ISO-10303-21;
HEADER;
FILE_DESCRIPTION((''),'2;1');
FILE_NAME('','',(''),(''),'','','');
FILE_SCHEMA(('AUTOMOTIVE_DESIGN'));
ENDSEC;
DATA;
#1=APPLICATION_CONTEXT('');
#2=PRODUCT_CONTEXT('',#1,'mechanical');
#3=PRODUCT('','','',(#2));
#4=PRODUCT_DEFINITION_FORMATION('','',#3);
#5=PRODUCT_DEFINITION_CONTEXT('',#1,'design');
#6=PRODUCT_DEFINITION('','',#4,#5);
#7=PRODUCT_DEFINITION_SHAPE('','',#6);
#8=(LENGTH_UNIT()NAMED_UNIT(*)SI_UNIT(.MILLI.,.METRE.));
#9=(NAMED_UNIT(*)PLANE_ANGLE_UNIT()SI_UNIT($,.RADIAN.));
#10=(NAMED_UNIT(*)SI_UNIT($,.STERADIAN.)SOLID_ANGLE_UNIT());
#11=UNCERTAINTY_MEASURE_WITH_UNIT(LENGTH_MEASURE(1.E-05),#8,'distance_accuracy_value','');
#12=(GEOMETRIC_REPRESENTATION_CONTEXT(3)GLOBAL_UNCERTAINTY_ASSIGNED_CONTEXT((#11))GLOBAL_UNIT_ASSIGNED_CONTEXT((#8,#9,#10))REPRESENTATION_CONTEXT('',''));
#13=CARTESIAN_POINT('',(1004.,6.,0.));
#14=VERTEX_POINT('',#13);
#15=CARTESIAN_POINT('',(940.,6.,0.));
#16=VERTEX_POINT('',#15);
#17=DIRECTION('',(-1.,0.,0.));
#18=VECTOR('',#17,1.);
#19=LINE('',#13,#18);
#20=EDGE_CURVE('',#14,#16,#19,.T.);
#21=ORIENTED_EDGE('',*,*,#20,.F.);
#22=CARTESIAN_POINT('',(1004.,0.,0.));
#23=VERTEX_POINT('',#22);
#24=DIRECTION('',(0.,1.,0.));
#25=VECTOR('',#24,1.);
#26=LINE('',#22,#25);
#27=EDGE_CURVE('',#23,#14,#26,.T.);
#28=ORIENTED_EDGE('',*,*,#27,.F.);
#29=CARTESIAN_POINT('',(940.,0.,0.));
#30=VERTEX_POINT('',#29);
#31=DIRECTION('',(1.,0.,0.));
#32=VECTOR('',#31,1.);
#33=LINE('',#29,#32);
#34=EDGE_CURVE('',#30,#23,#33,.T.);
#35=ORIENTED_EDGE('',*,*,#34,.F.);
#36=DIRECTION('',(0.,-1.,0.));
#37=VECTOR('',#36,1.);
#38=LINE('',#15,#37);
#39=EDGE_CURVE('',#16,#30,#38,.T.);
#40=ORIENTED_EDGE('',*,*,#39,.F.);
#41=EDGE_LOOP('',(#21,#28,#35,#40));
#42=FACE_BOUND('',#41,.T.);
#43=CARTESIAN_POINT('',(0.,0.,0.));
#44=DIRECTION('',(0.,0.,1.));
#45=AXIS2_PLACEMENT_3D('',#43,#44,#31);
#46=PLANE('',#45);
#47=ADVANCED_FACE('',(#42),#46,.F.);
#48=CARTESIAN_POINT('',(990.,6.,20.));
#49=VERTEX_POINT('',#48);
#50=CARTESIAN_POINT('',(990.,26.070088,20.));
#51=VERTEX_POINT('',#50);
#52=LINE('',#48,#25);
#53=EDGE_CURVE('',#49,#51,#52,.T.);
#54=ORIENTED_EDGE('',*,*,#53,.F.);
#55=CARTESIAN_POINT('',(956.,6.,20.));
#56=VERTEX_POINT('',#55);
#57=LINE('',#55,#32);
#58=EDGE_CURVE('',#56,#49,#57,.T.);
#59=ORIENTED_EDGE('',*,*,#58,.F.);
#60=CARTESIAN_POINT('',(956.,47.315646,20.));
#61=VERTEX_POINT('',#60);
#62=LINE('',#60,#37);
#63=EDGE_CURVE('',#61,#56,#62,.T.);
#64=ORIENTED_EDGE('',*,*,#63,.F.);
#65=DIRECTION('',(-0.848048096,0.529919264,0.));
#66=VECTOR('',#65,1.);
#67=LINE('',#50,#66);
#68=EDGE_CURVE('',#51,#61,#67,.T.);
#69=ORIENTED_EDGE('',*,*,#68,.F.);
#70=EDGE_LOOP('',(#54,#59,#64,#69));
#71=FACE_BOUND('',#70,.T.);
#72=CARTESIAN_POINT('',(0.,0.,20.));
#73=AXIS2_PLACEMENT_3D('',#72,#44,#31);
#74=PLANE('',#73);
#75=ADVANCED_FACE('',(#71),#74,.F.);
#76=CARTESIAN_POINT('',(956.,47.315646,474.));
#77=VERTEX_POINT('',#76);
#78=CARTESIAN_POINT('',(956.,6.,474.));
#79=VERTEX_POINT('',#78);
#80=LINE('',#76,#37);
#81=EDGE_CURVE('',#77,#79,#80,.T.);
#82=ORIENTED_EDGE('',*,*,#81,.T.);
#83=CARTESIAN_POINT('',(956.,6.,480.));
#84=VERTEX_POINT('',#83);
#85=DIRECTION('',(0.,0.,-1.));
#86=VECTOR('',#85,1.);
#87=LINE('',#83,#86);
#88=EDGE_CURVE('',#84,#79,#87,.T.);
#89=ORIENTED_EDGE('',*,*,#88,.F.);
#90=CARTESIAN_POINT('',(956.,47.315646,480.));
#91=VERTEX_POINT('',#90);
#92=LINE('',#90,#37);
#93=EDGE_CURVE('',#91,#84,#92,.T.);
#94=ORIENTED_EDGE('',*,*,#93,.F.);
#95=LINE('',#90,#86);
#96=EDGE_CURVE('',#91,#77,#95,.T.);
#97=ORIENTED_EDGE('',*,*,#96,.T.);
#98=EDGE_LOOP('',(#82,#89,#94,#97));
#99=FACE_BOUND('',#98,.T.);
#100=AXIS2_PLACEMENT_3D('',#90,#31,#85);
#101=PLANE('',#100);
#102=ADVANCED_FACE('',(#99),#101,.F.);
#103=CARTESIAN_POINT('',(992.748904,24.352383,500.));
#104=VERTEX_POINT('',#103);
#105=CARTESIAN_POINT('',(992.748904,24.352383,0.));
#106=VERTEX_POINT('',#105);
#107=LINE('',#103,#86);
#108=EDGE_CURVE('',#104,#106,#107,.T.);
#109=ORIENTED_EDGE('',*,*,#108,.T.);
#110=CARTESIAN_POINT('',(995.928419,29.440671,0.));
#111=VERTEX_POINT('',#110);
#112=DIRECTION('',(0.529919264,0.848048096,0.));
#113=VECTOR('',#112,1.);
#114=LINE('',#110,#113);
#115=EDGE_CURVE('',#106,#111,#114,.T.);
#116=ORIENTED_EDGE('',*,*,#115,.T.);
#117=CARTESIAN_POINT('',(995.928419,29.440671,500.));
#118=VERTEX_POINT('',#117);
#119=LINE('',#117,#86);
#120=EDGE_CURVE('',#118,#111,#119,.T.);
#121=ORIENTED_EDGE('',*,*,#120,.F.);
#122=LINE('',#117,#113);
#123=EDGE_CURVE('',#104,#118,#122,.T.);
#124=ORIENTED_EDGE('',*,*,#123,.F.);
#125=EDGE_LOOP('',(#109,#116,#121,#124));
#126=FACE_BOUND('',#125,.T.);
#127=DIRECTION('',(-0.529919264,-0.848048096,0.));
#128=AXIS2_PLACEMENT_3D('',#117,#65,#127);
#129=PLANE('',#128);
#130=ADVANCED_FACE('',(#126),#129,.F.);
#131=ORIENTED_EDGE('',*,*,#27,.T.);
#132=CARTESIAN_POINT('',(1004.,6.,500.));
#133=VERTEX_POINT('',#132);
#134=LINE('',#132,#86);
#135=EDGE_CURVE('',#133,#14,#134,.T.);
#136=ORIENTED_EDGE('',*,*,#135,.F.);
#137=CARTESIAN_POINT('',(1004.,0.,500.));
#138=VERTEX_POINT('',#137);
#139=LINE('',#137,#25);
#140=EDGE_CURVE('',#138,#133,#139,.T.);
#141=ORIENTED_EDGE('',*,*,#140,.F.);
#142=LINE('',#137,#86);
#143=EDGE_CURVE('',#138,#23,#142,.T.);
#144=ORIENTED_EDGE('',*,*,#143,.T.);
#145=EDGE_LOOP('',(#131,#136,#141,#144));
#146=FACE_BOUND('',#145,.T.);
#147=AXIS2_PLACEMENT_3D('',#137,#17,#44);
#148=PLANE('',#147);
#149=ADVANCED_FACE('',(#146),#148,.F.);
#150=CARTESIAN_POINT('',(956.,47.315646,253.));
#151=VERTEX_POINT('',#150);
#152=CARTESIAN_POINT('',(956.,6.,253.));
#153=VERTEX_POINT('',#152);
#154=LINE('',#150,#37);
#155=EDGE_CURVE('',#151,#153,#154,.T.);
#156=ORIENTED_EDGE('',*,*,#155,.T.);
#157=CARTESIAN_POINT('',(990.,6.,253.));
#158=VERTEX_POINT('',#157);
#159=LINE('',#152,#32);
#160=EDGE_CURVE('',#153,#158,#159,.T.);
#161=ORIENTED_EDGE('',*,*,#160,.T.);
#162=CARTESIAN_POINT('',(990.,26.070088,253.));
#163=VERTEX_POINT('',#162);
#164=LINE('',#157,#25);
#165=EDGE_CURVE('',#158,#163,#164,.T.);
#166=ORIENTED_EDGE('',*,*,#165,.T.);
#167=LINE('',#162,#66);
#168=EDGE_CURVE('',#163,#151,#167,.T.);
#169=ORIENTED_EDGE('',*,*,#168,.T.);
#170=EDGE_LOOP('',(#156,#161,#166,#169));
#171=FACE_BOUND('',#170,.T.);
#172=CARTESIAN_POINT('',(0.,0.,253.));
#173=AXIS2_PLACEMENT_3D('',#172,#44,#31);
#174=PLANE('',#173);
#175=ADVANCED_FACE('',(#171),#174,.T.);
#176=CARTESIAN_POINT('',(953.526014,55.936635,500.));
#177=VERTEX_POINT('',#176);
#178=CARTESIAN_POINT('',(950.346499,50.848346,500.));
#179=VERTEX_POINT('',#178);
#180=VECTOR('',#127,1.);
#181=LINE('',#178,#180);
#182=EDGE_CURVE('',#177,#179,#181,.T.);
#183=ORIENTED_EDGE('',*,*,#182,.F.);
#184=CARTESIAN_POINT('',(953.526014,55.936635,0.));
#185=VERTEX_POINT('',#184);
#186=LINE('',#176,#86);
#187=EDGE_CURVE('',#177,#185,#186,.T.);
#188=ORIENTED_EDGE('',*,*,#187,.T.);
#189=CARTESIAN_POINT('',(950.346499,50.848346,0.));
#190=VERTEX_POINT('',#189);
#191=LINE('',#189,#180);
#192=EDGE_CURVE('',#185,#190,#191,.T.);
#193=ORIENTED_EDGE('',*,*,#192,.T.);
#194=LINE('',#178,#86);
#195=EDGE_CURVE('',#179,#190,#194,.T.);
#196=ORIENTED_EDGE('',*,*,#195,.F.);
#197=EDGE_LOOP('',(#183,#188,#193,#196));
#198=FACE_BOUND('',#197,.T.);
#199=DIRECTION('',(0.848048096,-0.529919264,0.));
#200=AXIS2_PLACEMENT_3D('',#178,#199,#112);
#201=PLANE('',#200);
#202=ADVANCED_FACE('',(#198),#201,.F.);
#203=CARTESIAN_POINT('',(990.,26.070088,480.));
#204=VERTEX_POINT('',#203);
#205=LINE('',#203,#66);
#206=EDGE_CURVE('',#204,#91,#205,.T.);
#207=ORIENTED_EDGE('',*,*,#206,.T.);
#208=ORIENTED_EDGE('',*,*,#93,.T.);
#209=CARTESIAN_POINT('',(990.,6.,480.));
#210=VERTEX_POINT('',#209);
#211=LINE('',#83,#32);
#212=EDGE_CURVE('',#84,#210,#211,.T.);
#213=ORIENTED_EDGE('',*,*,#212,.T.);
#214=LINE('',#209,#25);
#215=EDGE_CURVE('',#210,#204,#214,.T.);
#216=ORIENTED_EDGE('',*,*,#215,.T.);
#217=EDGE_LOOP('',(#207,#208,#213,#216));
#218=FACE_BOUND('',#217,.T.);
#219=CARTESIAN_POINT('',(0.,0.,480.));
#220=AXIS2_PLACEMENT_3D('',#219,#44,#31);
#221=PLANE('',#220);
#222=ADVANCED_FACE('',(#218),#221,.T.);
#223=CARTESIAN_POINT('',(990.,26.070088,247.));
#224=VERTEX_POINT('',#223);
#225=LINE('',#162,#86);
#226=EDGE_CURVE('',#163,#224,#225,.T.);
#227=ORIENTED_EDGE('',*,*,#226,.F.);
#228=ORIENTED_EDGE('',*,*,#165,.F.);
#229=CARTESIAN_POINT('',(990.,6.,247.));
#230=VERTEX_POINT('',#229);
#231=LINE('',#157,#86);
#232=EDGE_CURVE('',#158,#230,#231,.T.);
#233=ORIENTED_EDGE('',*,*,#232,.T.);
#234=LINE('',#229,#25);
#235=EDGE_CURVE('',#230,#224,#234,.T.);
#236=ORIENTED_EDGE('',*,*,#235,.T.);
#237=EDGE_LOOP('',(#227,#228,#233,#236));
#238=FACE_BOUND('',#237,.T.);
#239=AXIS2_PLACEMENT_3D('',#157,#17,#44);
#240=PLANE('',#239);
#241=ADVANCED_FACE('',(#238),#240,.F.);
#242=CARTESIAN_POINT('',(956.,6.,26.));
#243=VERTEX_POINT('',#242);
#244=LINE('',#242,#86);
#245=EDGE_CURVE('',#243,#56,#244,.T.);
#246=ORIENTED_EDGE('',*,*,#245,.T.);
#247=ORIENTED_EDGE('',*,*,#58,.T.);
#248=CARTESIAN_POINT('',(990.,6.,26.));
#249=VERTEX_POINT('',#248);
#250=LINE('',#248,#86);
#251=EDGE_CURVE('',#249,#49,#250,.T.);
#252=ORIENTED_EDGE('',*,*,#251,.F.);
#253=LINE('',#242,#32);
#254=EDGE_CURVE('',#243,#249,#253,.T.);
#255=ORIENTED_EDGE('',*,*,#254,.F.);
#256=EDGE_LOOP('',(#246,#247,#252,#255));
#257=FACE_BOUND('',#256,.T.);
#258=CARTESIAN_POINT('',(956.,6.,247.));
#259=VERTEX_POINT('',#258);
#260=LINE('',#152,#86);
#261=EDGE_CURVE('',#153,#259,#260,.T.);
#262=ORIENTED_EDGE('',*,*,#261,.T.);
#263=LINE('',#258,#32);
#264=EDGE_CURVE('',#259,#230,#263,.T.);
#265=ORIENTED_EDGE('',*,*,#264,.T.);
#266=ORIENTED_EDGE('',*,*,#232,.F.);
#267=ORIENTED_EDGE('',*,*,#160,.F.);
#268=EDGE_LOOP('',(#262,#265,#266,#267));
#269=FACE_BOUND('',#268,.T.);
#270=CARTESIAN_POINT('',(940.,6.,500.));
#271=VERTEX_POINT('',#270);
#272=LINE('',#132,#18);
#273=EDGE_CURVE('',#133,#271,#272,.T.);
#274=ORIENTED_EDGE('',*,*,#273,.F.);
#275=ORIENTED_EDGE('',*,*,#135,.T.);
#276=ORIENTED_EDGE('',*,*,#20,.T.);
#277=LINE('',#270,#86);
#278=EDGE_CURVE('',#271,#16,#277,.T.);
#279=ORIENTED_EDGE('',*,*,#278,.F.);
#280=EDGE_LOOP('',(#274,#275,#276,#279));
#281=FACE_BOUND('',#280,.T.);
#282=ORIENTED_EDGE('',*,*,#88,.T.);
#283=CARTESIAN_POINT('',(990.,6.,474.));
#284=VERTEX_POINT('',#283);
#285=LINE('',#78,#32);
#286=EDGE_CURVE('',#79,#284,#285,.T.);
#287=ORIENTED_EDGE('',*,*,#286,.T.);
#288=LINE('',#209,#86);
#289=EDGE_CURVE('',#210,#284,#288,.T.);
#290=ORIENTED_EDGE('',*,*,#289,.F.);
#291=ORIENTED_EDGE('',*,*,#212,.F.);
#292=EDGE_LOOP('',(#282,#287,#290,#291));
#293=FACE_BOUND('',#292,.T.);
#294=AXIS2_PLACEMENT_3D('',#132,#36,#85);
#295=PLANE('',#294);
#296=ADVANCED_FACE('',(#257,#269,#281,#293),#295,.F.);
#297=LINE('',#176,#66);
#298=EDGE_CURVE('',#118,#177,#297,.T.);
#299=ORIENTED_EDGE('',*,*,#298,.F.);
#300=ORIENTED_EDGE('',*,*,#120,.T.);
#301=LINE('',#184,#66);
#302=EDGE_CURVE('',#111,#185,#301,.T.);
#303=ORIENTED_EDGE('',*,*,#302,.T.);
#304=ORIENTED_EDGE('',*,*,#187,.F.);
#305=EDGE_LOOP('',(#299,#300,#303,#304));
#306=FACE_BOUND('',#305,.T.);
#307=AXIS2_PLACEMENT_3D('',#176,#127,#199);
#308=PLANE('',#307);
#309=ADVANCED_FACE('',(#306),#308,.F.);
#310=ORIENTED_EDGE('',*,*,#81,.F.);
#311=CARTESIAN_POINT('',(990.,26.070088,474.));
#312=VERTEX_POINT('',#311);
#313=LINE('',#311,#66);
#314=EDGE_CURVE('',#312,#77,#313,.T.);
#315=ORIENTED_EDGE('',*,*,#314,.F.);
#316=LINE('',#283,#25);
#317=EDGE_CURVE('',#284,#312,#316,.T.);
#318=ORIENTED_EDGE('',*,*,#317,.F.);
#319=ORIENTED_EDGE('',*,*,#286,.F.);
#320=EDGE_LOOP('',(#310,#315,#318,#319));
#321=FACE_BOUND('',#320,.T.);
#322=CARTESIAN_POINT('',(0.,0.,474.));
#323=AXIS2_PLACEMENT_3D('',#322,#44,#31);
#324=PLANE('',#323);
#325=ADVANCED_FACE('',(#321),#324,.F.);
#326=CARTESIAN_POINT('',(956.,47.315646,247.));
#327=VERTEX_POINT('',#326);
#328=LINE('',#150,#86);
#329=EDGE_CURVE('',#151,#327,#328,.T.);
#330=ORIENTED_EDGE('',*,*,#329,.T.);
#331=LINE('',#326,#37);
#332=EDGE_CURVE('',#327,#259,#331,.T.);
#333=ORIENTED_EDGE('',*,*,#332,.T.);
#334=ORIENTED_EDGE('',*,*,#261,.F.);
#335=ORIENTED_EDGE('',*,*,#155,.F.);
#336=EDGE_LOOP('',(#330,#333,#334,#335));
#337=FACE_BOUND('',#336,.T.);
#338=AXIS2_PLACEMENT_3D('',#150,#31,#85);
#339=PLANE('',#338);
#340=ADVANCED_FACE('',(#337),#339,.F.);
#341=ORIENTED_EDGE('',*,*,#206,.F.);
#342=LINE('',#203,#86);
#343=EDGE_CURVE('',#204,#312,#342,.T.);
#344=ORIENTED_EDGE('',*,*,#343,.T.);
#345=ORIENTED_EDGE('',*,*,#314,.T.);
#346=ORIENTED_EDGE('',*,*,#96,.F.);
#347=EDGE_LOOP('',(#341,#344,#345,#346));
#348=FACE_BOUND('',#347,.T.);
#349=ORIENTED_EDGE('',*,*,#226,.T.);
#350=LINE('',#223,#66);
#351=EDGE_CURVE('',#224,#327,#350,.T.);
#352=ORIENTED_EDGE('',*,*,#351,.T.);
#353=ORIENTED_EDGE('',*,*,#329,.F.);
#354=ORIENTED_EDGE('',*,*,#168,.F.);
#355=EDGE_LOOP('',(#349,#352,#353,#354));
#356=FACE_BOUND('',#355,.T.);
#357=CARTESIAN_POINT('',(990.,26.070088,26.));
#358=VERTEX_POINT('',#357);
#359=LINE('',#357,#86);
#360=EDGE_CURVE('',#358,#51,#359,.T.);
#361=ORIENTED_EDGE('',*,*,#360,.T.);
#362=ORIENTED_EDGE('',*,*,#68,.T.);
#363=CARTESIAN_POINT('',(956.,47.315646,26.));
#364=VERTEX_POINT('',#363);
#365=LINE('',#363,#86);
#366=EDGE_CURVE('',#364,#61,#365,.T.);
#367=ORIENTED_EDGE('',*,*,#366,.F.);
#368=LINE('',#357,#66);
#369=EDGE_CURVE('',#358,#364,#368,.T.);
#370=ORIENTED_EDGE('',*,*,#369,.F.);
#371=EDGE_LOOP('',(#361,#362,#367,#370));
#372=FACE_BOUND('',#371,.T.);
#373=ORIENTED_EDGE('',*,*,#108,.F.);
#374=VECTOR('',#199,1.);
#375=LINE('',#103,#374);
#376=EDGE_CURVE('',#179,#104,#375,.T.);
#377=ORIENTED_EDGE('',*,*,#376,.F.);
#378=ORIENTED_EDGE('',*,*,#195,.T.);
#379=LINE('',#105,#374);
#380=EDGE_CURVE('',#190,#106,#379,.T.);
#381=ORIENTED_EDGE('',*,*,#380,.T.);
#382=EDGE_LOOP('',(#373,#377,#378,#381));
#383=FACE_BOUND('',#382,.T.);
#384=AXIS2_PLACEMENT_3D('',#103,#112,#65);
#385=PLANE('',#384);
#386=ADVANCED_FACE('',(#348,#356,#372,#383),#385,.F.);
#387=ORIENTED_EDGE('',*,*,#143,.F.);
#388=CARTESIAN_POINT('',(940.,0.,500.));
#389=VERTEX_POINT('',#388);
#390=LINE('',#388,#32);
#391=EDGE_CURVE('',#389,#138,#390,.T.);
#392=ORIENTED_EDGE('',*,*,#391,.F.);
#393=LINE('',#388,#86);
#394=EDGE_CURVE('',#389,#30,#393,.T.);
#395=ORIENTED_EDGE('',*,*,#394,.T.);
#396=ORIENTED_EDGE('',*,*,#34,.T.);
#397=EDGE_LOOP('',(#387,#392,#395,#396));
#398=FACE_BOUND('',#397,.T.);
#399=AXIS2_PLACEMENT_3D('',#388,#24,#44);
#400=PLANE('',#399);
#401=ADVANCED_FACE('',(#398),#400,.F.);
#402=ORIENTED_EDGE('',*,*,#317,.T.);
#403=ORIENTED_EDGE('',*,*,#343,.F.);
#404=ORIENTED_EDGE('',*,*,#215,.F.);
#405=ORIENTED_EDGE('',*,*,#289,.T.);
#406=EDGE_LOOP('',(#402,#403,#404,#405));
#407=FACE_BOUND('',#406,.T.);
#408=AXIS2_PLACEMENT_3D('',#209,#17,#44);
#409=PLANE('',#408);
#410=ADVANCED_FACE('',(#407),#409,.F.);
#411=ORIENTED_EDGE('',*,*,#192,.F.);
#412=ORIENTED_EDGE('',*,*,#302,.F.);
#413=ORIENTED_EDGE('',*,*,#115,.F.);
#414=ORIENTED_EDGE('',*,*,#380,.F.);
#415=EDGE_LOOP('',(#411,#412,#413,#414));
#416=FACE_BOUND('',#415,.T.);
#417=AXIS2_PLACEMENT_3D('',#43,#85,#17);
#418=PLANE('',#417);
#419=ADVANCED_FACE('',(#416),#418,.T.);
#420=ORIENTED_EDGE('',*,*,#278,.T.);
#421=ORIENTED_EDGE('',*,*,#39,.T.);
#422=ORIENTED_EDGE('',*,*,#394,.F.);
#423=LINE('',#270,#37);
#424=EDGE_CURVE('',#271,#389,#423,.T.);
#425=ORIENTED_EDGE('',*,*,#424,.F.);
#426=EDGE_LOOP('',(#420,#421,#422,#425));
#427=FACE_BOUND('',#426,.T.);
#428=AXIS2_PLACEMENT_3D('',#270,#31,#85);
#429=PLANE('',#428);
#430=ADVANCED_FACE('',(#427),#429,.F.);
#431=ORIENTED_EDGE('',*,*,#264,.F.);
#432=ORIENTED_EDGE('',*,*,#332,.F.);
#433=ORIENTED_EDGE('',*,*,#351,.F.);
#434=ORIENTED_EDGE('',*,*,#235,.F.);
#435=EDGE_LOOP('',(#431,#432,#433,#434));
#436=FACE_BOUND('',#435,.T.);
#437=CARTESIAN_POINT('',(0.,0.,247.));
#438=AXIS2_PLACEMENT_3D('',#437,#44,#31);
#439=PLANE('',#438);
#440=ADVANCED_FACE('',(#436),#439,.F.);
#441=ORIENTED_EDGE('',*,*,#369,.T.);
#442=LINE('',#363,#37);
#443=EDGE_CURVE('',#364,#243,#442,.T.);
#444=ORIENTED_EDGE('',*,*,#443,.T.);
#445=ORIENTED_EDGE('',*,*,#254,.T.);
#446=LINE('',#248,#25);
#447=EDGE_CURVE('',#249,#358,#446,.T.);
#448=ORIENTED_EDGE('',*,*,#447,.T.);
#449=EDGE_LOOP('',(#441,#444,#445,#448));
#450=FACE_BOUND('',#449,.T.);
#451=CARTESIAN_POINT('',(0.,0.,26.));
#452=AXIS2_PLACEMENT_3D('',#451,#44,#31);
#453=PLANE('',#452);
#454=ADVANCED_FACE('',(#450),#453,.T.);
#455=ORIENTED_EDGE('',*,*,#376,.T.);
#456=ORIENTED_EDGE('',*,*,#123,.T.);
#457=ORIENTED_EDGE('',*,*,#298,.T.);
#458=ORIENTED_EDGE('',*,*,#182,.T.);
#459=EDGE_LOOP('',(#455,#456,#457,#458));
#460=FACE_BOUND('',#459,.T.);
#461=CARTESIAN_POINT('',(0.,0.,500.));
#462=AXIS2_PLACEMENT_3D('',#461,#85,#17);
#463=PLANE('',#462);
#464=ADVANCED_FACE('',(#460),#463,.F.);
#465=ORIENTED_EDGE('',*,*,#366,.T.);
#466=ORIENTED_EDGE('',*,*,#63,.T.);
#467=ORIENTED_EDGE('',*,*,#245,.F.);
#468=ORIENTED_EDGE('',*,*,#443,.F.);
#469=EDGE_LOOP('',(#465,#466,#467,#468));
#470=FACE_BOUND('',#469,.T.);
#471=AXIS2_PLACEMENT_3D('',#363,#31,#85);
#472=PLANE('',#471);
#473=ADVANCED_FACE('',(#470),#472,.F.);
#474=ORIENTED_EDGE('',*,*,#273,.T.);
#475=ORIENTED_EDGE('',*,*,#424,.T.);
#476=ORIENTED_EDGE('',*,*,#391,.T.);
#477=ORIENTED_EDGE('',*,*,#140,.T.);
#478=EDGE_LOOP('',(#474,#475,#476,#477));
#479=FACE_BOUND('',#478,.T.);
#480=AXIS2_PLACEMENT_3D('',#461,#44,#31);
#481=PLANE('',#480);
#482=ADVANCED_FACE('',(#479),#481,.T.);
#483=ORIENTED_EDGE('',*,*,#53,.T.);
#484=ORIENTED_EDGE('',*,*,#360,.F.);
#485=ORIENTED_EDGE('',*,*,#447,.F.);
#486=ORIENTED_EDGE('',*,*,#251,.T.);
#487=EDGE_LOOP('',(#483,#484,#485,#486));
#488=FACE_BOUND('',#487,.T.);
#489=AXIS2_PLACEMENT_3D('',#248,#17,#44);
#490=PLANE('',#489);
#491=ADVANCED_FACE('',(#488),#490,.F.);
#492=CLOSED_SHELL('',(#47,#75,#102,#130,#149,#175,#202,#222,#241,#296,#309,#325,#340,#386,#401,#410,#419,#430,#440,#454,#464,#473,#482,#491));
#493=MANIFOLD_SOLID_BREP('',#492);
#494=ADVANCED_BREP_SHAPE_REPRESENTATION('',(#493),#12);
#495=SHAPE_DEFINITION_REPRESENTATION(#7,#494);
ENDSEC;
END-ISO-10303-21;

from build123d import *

# Parameters (mm, degrees)
SKETCH_1_W                      = 64
SKETCH_1_H                      = 6
BASE_PLATE_940_TO_1004_T6_DEPTH = 500
INCLINED_BEARING_PLATE_T6_DEPTH = 500
TOE_WEB_1_T6_START              = 20
TOE_WEB_1_T6_DEPTH              = 6
TOE_WEB_2_T6_START              = 247
TOE_WEB_2_T6_DEPTH              = 6
TOE_WEB_3_T6_START              = 474
TOE_WEB_3_T6_DEPTH              = 6


with BuildPart() as part:
    # 草图1 → Base_plate_940_to_1004_t6 (new body)
    with BuildSketch(Plane.XY):
        with Locations((972, 3)):
            Rectangle(SKETCH_1_W, SKETCH_1_H)
    extrude(amount=BASE_PLATE_940_TO_1004_T6_DEPTH)



with BuildPart() as body_2:
    # 草图2 → Inclined_bearing_plate_t6 (new body)
    with BuildSketch(Plane.XY):
        Polygon((953.526014292, 55.936634693), (995.928419099, 29.440671481), (992.748903514, 24.352382904), (950.346498706, 50.848346116), align=None)
    extrude(amount=INCLINED_BEARING_PLATE_T6_DEPTH)


with BuildPart() as part_1:
    add(part.part)

    add(body_2.part)  # Toe_web_1_t6 merges body 2
    # 草图3 → Toe_web_1_t6 (add)
    with BuildSketch(Plane.XY.offset(TOE_WEB_1_T6_START)):
        Polygon((956, 6), (990, 6), (990, 26.070088461), (956, 47.315646426), align=None)
    extrude(amount=TOE_WEB_1_T6_DEPTH)

    # 草图4 → Toe_web_2_t6 (add)
    with BuildSketch(Plane.XY.offset(TOE_WEB_2_T6_START)):
        Polygon((956, 6), (990, 6), (990, 26.070088461), (956, 47.315646426), align=None)
    extrude(amount=TOE_WEB_2_T6_DEPTH)

    # 草图5 → Toe_web_3_t6 (add)
    with BuildSketch(Plane.XY.offset(TOE_WEB_3_T6_START)):
        Polygon((956, 6), (990, 6), (990, 26.070088461), (956, 47.315646426), align=None)
    extrude(amount=TOE_WEB_3_T6_DEPTH)


solid = part_1.part
